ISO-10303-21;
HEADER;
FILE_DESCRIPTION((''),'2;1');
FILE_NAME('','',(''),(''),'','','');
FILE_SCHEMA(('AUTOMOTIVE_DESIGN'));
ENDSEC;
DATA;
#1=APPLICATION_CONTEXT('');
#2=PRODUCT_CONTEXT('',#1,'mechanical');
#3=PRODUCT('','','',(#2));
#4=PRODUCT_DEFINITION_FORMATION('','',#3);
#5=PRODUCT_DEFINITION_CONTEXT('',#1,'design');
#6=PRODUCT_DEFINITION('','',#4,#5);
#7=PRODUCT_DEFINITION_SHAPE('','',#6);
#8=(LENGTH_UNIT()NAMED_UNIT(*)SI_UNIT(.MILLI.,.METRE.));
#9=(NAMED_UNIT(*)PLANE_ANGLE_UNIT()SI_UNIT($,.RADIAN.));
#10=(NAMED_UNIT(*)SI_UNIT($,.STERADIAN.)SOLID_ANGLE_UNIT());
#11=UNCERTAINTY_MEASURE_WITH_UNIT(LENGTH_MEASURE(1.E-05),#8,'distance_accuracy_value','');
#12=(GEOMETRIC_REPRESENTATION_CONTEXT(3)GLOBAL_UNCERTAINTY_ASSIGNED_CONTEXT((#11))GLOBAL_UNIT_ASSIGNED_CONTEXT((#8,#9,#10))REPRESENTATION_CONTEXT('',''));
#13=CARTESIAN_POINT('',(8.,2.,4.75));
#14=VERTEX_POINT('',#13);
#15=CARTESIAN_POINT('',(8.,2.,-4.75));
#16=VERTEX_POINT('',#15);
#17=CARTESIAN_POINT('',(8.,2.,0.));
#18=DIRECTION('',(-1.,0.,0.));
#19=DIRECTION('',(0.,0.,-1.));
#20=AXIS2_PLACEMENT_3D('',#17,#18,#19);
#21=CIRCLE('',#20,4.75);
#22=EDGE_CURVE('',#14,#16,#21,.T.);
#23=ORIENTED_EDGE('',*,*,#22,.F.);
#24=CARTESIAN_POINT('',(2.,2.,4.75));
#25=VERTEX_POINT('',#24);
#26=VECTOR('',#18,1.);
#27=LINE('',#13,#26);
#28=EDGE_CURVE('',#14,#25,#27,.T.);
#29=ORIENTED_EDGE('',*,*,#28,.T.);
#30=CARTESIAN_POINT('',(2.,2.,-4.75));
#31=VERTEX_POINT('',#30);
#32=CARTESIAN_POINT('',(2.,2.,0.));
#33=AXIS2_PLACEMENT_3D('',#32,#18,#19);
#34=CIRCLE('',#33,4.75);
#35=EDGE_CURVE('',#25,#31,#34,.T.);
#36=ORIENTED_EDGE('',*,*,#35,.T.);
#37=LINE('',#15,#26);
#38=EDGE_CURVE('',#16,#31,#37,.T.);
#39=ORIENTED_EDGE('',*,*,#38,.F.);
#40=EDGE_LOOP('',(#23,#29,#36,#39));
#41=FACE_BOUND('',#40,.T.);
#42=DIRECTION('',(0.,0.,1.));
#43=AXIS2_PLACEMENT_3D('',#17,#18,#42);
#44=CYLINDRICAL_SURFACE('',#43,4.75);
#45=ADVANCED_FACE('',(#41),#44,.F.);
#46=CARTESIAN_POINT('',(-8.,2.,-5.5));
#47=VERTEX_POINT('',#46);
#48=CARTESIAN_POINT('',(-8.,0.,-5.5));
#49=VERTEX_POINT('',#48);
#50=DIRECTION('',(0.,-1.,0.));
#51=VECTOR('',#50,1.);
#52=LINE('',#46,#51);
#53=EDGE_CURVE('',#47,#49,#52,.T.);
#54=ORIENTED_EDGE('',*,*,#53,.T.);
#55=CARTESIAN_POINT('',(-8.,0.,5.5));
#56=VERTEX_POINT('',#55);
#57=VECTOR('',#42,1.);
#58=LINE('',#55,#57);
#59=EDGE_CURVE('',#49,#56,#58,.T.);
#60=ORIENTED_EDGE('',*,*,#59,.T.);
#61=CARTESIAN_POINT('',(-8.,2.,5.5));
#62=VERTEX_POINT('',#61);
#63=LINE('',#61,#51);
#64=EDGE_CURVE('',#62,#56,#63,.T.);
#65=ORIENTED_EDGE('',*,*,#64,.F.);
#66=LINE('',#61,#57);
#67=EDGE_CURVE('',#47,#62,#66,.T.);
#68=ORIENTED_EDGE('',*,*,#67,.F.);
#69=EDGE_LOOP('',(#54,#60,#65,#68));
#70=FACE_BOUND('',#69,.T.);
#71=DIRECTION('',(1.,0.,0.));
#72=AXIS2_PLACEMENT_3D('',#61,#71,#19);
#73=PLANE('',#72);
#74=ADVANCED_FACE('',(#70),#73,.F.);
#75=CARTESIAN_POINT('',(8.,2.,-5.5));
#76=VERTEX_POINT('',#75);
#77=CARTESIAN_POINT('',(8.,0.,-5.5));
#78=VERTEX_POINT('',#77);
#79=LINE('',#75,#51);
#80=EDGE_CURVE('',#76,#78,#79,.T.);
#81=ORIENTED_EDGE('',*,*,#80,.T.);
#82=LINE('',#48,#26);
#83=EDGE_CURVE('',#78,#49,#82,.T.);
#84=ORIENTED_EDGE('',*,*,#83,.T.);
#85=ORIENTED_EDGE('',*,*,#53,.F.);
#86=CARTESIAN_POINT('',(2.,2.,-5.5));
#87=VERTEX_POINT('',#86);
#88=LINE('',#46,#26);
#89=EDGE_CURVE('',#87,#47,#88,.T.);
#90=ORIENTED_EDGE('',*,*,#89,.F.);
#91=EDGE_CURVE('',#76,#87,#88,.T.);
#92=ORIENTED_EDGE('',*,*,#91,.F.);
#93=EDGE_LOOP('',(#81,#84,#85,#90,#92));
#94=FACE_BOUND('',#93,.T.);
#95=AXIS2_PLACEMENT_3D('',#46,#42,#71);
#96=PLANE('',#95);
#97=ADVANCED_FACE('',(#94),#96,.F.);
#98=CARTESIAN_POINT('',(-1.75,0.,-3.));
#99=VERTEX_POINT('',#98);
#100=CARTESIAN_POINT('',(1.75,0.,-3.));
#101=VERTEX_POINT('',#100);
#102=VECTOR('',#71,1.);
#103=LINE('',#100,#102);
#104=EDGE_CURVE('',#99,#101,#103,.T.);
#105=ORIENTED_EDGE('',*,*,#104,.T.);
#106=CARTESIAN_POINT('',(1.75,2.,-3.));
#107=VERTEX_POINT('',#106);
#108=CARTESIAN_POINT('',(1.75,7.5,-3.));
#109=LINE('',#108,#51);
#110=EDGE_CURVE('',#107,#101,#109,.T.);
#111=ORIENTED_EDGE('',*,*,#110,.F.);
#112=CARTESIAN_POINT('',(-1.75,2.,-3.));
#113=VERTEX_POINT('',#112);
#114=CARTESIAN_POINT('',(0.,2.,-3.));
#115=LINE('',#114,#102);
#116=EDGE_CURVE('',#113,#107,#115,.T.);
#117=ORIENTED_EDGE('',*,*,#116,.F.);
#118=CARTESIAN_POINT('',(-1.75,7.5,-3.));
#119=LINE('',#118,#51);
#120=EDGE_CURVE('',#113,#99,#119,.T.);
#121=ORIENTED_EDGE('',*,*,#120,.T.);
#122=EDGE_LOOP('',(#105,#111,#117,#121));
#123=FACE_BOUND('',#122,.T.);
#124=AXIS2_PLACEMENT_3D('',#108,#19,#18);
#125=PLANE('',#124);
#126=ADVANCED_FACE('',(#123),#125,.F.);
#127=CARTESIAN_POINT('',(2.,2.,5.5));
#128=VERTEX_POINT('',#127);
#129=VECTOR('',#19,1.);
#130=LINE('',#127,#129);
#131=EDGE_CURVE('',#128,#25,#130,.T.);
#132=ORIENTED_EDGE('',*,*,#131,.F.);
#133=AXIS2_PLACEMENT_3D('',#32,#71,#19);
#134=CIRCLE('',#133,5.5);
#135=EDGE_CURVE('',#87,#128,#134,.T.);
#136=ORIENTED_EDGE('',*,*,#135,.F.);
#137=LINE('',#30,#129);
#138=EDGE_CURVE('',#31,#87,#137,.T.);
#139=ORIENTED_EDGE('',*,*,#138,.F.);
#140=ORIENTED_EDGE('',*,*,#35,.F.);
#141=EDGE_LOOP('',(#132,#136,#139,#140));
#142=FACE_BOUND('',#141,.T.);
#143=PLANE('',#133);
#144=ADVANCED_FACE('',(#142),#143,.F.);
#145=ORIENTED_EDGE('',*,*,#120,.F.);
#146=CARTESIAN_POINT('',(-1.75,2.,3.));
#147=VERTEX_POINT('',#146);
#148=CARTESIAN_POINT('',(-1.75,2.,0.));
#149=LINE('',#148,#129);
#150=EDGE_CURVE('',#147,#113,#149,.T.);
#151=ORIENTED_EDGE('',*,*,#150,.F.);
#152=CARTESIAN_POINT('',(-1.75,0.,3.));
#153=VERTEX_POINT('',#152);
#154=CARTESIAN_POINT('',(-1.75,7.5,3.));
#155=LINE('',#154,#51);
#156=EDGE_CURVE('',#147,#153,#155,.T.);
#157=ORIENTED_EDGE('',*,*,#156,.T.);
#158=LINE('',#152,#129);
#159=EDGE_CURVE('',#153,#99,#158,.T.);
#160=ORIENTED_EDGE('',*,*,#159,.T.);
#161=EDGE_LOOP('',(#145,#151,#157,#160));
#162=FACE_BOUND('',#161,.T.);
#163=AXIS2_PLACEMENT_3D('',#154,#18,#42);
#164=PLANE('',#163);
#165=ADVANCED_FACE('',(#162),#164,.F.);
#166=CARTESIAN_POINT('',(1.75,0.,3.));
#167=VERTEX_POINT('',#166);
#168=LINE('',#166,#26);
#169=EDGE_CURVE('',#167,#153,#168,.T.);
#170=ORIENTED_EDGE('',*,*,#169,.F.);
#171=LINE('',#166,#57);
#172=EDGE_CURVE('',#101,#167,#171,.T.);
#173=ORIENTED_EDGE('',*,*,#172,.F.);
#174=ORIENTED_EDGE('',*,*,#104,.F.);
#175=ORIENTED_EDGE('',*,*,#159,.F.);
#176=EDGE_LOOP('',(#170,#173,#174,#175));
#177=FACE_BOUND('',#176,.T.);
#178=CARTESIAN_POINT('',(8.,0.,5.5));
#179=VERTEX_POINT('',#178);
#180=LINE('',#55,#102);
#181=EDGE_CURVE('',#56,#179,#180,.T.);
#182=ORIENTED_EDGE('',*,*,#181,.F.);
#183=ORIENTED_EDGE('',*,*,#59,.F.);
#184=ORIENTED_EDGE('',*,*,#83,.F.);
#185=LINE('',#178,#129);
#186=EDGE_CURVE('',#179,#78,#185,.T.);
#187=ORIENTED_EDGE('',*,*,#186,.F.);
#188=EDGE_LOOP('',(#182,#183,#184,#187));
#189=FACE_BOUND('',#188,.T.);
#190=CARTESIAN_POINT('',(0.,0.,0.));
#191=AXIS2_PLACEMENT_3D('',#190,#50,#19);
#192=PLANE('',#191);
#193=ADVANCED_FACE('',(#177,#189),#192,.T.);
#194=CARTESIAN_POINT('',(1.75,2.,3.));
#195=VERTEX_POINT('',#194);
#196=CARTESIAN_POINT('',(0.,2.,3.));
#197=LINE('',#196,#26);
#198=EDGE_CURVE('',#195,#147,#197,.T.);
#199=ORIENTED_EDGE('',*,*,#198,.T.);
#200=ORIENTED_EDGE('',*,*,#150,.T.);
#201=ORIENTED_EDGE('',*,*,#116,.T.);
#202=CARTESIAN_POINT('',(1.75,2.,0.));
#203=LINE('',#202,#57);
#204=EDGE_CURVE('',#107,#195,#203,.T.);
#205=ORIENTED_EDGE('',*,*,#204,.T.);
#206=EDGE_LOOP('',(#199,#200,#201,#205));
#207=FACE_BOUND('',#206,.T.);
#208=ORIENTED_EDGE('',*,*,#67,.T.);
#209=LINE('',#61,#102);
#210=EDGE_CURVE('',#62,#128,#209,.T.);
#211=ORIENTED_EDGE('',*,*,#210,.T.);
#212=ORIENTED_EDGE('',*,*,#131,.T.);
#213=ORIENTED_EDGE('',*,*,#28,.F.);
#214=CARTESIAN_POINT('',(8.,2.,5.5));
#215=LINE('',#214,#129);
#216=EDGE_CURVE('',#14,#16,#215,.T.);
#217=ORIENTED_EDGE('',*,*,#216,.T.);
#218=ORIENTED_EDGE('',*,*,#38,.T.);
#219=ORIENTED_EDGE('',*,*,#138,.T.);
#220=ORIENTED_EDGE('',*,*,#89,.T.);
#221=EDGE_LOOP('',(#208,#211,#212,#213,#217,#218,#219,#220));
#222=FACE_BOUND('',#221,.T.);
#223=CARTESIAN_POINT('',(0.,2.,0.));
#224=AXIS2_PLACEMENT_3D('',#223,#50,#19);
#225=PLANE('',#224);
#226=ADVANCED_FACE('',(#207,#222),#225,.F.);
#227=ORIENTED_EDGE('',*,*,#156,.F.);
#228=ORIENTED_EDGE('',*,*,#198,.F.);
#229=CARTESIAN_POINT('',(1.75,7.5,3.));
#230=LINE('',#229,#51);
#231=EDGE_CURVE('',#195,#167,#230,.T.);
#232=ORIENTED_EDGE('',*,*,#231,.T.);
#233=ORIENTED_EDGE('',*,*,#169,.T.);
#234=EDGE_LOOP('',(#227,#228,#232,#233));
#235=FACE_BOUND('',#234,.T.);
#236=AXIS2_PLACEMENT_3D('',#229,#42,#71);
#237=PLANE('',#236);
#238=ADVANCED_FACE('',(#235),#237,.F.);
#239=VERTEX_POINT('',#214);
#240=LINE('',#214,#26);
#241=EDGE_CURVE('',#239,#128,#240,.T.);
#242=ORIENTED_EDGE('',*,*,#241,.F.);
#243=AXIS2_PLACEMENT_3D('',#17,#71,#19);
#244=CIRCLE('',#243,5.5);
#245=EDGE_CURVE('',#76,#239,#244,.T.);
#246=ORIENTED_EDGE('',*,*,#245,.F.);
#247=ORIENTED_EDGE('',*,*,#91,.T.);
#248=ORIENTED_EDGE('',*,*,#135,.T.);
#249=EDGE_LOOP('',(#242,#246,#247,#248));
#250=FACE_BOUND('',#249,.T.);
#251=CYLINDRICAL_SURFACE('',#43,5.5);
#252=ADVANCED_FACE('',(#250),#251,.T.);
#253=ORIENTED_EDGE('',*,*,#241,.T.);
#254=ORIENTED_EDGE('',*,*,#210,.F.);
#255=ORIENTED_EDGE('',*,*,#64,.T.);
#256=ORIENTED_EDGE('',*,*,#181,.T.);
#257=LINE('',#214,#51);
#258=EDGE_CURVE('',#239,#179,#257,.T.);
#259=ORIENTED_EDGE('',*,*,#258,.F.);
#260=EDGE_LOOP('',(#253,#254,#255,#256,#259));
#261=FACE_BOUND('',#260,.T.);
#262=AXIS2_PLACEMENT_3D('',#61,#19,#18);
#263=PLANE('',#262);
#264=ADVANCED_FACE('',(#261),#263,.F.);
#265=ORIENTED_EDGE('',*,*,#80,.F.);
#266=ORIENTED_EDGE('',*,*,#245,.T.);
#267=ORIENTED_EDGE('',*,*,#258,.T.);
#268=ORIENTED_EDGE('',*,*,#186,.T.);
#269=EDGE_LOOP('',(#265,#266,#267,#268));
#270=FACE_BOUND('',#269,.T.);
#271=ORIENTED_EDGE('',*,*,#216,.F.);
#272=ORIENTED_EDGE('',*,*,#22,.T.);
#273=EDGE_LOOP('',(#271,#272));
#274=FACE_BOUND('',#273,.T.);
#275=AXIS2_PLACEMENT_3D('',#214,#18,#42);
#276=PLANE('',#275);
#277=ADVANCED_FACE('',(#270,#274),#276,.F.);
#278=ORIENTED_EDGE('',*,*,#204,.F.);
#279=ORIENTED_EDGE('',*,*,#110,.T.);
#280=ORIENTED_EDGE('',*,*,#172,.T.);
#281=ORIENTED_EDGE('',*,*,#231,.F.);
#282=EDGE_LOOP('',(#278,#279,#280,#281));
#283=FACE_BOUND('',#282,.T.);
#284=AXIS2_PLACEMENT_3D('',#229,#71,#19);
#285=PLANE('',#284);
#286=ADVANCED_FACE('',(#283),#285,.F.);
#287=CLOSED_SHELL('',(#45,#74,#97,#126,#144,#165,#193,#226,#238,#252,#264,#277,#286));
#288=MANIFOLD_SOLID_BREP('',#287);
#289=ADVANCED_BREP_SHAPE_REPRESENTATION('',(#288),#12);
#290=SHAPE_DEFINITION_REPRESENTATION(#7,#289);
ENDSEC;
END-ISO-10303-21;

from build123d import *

# Parameters (mm, degrees)
SKETCH_1_W          = 16
SKETCH_1_H          = 11
EXTRUDE_1_DEPTH     = 2
EXTRUDE_START       = 2
EXTRUDE_2_DEPTH     = 6
SKETCH_3_W          = 3.5
SKETCH_3_H          = 6
CUT_EXTRUDE_1_DEPTH = 13.267844146


with BuildPart() as part:
    # 草图1 → 凸台-拉伸1 (new body)
    with BuildSketch(Plane(origin=(0, 0, 0), x_dir=(1, 0, 0), z_dir=(0, 1, 0))):
        Rectangle(SKETCH_1_W, SKETCH_1_H)
    extrude(amount=EXTRUDE_1_DEPTH)

    # 草图2 → 凸台-拉伸2 (add)
    with BuildSketch(Plane(origin=(0, 0, 0), x_dir=(0, 0, -1), z_dir=(1, 0, 0)).offset(EXTRUDE_START)):
        with BuildLine():
            Line((-5.5, 2), (-4.75, 2))
            ThreePointArc((-4.75, 2), (0, 6.75), (4.75, 2))
            Line((4.75, 2), (5.5, 2))
            ThreePointArc((5.5, 2), (0, 7.5), (-5.5, 2))
        make_face()
    extrude(amount=EXTRUDE_2_DEPTH)

    # 草图3 → 切除-拉伸1 (cut, through all)
    with BuildSketch(Plane.XZ):
        Rectangle(SKETCH_3_W, SKETCH_3_H)
    extrude(amount=-CUT_EXTRUDE_1_DEPTH, mode=Mode.SUBTRACT)


solid = part.part
